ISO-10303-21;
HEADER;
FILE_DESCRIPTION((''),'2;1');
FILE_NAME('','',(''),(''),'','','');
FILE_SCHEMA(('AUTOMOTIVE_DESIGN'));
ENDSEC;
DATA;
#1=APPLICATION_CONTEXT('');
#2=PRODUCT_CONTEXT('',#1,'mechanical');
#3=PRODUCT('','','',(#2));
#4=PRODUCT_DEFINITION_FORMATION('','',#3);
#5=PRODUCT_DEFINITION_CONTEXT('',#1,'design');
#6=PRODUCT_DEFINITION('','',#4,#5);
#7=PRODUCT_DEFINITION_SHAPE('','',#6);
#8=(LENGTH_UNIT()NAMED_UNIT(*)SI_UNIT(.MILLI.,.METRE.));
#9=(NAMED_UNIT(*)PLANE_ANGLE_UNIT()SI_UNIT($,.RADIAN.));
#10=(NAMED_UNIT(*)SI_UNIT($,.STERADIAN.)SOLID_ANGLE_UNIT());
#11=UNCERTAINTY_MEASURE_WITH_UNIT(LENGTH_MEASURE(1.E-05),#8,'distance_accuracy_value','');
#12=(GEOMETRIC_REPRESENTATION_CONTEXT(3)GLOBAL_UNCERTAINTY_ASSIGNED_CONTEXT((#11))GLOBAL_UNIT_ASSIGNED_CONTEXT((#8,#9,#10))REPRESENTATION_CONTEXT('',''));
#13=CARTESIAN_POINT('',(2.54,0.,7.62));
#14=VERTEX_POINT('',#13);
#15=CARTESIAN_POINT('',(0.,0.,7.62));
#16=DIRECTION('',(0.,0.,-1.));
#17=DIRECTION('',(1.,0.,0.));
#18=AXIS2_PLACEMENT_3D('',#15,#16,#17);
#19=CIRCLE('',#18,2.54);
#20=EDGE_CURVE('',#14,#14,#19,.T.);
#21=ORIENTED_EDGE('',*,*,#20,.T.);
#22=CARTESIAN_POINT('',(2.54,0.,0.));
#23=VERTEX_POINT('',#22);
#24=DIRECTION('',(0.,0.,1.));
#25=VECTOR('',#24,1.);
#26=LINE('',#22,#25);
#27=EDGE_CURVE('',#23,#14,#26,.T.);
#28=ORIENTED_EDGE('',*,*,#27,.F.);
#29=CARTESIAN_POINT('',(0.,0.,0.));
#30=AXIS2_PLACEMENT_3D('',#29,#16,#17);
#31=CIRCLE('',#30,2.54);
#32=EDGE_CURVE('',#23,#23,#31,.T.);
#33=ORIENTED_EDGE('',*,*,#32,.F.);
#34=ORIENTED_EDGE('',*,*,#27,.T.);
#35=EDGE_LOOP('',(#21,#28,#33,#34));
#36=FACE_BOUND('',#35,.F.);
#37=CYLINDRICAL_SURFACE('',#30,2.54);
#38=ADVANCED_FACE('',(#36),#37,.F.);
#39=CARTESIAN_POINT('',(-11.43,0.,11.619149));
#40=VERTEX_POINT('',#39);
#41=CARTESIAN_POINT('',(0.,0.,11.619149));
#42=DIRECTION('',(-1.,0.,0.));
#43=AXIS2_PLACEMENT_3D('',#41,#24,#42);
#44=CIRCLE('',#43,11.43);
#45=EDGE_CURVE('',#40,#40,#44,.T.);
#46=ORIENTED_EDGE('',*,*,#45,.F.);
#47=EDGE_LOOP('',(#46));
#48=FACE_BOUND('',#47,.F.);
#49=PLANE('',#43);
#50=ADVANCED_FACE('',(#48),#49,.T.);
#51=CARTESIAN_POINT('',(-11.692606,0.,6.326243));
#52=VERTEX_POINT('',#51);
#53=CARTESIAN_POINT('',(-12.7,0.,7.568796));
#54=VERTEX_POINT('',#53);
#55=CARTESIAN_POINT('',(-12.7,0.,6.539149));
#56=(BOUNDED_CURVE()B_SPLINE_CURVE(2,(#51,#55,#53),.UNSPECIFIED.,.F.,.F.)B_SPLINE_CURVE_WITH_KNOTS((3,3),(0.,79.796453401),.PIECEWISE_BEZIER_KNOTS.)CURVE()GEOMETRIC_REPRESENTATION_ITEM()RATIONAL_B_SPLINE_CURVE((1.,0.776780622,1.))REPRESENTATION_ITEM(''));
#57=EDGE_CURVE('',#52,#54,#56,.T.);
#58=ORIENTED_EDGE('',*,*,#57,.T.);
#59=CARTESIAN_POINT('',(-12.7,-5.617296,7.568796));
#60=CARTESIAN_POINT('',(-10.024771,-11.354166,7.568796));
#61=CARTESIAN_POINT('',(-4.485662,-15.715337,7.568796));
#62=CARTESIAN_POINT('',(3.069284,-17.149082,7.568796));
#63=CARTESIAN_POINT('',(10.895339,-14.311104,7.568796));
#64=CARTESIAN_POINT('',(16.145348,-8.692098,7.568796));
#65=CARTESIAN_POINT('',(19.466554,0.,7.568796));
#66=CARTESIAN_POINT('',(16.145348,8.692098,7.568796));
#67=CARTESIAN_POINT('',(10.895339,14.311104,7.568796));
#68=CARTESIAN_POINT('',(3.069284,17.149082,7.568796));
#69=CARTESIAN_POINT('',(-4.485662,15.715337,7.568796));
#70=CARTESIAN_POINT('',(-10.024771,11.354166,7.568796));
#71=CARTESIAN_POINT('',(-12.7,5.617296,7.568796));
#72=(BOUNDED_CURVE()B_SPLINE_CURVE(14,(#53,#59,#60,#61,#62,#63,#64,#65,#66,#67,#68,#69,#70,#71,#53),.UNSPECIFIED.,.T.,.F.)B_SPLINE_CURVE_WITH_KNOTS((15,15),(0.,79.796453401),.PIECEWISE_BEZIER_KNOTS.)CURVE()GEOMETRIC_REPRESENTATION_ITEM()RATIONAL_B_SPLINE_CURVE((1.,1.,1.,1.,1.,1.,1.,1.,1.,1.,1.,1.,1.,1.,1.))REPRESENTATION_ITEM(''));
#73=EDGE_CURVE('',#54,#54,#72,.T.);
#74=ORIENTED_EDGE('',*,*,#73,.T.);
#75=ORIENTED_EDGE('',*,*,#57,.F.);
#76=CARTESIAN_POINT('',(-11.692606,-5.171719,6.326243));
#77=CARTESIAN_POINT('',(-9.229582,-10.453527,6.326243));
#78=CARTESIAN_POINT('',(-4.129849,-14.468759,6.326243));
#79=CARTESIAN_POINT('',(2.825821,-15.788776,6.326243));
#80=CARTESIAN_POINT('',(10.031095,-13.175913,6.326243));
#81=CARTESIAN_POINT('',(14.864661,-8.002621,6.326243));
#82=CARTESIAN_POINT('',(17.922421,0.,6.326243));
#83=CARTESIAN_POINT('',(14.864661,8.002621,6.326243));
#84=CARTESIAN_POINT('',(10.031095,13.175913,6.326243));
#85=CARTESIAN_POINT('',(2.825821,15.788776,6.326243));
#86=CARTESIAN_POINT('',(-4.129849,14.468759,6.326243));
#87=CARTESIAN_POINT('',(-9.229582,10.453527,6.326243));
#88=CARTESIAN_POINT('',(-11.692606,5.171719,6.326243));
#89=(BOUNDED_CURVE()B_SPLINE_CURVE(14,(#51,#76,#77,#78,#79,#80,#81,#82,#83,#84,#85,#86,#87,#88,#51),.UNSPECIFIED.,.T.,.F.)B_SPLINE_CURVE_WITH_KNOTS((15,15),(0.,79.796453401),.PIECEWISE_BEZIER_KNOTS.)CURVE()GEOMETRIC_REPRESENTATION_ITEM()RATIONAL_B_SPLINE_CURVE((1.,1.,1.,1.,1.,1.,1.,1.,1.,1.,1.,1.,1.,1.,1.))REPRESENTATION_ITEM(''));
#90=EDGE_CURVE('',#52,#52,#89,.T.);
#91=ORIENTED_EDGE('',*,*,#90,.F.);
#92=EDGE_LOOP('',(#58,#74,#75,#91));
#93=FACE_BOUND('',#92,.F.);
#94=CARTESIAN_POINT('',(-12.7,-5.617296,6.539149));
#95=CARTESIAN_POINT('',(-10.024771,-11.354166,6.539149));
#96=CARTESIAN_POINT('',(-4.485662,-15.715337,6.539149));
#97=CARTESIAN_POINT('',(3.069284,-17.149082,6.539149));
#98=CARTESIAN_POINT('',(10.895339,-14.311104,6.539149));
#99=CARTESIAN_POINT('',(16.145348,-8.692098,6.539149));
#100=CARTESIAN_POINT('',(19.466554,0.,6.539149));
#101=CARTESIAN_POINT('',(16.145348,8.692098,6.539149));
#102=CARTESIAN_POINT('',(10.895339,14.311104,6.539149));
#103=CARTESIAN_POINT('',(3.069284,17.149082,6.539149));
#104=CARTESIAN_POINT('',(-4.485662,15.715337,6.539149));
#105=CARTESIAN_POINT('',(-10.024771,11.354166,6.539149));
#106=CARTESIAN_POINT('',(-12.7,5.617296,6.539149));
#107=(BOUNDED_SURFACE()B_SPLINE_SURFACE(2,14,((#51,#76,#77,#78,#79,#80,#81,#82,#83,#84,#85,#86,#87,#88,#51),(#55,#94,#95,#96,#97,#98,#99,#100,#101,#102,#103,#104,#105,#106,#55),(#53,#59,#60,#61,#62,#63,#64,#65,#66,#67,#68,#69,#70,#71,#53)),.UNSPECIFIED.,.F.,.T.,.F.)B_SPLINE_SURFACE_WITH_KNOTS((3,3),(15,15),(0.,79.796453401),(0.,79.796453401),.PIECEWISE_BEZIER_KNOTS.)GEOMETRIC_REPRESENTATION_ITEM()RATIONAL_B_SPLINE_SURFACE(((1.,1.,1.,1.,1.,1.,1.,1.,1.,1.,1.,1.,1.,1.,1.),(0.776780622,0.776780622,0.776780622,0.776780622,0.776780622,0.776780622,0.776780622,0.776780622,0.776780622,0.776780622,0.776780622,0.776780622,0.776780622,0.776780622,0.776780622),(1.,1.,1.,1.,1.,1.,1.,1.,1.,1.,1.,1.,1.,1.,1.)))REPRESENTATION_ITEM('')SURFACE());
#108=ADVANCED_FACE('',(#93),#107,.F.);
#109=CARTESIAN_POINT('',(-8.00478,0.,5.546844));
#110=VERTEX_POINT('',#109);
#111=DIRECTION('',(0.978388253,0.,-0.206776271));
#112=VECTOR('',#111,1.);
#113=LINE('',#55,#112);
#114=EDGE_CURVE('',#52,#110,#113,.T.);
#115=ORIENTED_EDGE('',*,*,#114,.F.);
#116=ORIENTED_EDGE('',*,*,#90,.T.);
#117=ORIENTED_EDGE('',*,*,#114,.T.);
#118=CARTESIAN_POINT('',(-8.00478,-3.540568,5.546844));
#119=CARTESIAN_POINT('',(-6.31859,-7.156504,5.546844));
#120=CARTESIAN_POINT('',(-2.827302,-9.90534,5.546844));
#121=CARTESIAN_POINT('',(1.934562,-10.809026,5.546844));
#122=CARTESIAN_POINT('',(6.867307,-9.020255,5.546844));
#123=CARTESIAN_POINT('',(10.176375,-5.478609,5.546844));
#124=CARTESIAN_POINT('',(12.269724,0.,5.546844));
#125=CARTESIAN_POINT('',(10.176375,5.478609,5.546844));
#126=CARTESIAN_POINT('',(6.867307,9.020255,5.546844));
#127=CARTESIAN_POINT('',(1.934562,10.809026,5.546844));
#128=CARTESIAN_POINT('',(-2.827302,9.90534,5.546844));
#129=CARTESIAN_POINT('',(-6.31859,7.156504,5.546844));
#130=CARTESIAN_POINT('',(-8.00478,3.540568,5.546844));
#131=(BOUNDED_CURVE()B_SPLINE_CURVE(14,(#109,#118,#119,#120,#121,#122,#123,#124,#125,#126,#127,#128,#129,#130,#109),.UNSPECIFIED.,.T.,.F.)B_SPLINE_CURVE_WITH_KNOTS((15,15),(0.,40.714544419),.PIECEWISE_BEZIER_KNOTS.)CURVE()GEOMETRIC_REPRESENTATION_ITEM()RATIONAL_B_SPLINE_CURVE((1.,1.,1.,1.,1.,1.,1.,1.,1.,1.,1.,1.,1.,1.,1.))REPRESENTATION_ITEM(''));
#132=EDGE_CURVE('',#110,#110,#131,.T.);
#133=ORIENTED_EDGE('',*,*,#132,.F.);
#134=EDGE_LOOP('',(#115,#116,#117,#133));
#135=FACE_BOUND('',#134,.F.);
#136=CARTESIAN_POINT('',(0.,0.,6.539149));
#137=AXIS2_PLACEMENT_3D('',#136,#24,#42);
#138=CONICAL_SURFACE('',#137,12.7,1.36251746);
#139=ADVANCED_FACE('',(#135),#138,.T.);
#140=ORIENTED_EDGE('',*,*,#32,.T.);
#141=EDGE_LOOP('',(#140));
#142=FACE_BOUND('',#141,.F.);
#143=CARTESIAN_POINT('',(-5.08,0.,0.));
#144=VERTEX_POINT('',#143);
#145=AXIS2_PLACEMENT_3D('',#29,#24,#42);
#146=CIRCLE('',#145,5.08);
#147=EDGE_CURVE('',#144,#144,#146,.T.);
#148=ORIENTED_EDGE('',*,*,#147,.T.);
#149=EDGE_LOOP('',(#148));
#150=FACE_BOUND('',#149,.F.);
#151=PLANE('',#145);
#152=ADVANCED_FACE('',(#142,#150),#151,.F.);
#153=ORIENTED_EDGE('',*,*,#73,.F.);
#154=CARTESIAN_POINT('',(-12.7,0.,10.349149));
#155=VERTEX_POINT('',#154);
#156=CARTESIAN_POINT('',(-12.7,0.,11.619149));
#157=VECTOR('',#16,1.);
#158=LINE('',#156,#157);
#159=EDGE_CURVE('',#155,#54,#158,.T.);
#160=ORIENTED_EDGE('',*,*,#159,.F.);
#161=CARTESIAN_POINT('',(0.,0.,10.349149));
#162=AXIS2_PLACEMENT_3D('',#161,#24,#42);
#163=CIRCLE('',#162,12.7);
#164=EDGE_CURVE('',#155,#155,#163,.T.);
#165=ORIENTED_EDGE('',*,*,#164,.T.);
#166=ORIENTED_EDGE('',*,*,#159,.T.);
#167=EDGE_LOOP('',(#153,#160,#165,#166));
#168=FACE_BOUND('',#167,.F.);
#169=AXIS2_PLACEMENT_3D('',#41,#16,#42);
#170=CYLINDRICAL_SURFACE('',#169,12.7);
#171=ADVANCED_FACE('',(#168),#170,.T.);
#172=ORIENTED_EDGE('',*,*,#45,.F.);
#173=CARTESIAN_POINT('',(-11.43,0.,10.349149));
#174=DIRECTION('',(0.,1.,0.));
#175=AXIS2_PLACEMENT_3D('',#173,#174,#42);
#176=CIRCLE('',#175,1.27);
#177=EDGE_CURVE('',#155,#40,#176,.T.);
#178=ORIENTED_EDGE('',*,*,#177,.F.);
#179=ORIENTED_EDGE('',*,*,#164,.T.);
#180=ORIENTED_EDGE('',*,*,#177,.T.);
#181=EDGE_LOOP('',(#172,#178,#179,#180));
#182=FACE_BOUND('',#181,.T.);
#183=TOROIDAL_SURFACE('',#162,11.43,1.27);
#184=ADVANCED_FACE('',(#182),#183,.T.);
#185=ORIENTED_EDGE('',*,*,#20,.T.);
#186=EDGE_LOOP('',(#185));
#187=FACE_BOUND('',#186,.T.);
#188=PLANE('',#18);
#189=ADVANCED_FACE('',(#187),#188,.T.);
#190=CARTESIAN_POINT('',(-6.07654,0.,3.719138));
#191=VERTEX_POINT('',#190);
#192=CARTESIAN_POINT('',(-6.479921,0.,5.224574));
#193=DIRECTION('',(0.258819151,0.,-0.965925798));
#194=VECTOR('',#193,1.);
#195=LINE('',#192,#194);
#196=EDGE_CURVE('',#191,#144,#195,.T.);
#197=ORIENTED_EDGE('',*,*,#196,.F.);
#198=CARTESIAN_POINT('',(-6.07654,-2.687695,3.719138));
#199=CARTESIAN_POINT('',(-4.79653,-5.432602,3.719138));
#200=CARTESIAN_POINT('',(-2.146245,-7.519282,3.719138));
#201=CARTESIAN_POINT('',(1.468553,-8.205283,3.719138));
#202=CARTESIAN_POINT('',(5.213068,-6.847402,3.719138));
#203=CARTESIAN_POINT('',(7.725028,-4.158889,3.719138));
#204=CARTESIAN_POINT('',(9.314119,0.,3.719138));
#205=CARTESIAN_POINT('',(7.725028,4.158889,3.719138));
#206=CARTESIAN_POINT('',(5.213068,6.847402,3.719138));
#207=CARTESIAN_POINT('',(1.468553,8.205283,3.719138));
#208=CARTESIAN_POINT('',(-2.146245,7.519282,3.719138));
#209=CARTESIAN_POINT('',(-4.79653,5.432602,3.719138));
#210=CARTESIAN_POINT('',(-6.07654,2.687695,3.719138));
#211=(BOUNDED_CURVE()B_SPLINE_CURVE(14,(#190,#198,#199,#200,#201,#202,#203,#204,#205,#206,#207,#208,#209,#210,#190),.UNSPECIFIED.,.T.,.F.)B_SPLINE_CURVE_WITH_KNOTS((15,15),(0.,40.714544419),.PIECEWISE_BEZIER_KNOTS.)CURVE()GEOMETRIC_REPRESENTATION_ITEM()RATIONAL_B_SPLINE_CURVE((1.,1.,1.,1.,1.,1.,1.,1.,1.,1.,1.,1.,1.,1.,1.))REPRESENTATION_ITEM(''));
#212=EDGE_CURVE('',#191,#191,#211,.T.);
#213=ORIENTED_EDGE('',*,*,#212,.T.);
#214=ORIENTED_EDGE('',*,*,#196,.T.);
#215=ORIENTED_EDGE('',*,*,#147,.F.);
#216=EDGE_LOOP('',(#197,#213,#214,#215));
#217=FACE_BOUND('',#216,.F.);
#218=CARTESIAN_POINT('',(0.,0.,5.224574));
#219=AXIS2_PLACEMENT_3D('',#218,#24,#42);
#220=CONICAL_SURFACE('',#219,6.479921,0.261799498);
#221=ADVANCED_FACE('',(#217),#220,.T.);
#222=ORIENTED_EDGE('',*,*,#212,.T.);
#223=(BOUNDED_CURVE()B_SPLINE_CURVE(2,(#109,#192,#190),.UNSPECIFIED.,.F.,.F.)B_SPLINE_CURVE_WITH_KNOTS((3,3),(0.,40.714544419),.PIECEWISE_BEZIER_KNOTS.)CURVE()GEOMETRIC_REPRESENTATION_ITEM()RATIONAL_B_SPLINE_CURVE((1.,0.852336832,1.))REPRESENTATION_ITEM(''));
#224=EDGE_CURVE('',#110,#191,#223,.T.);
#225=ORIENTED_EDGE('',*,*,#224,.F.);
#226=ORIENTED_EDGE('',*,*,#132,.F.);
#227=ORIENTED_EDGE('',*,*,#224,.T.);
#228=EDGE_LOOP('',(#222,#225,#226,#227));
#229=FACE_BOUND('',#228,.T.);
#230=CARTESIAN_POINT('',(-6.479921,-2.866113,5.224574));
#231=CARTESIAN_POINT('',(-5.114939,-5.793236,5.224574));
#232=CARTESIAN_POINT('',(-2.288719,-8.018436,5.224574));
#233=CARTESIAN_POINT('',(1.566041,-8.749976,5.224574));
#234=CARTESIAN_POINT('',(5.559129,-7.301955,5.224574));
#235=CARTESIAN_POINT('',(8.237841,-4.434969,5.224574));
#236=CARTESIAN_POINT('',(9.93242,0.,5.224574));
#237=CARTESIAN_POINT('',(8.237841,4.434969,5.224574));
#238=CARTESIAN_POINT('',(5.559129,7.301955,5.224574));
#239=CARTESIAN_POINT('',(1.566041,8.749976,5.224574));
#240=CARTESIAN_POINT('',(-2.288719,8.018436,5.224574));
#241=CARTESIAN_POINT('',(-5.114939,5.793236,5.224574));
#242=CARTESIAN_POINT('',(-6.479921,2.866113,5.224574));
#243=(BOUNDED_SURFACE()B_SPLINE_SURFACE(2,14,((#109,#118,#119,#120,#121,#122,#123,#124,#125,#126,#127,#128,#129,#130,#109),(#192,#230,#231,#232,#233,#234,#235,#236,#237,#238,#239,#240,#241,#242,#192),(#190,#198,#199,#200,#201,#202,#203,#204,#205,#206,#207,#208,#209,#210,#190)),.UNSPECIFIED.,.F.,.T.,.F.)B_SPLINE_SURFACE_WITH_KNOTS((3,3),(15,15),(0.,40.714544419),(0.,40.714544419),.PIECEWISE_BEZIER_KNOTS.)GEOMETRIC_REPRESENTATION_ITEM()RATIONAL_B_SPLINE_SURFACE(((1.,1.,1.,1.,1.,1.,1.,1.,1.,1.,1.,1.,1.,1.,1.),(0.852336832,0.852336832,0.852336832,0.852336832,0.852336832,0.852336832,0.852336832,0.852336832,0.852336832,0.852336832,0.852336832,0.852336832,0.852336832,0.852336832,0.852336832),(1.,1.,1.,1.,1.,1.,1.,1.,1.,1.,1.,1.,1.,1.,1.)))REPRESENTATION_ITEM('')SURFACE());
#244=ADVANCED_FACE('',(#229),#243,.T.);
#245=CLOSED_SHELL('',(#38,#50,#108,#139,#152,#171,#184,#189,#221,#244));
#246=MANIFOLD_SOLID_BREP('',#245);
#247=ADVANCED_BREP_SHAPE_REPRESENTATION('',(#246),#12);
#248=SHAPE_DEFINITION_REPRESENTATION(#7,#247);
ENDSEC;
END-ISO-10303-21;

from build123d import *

# Parameters (mm, degrees)
F2_R     = 2.54
F3_R     = 1.27
F4_R     = 2.54
F5_DEPTH = 7.62


with BuildPart() as f1:
    # F0 (on Front) → F1 (revolve)
    with BuildSketch(Plane.XZ):
        Polygon((0, 11.619149), (-12.7, 11.619149), (-12.7, 6.539149), (-6.479921, 5.224574), (-5.08, 0), (0, 0), align=None)
    revolve(axis=Axis((0, 0, 5.809575), (0, 0, 1)))

    # F2
    f2_edges = [f1.edges().sort_by_distance(p)[0] for p in [
        (6.479921, 0, 5.224574),
    ]]
    fillet(f2_edges, radius=F2_R)

    # F3
    f3_edges = [f1.edges().sort_by_distance(p)[0] for p in [
        (12.7, 0, 11.619149),
        (12.7, 0, 6.539149),
    ]]
    fillet(f3_edges, radius=F3_R)

    # F4 (on face) → F5 (cut)
    with BuildSketch(Plane(origin=(0, 0, 0), x_dir=(1, 0, 0), z_dir=(0, 0, -1))):
        Circle(F4_R)
    extrude(amount=-F5_DEPTH, mode=Mode.SUBTRACT)


solid = f1.part
